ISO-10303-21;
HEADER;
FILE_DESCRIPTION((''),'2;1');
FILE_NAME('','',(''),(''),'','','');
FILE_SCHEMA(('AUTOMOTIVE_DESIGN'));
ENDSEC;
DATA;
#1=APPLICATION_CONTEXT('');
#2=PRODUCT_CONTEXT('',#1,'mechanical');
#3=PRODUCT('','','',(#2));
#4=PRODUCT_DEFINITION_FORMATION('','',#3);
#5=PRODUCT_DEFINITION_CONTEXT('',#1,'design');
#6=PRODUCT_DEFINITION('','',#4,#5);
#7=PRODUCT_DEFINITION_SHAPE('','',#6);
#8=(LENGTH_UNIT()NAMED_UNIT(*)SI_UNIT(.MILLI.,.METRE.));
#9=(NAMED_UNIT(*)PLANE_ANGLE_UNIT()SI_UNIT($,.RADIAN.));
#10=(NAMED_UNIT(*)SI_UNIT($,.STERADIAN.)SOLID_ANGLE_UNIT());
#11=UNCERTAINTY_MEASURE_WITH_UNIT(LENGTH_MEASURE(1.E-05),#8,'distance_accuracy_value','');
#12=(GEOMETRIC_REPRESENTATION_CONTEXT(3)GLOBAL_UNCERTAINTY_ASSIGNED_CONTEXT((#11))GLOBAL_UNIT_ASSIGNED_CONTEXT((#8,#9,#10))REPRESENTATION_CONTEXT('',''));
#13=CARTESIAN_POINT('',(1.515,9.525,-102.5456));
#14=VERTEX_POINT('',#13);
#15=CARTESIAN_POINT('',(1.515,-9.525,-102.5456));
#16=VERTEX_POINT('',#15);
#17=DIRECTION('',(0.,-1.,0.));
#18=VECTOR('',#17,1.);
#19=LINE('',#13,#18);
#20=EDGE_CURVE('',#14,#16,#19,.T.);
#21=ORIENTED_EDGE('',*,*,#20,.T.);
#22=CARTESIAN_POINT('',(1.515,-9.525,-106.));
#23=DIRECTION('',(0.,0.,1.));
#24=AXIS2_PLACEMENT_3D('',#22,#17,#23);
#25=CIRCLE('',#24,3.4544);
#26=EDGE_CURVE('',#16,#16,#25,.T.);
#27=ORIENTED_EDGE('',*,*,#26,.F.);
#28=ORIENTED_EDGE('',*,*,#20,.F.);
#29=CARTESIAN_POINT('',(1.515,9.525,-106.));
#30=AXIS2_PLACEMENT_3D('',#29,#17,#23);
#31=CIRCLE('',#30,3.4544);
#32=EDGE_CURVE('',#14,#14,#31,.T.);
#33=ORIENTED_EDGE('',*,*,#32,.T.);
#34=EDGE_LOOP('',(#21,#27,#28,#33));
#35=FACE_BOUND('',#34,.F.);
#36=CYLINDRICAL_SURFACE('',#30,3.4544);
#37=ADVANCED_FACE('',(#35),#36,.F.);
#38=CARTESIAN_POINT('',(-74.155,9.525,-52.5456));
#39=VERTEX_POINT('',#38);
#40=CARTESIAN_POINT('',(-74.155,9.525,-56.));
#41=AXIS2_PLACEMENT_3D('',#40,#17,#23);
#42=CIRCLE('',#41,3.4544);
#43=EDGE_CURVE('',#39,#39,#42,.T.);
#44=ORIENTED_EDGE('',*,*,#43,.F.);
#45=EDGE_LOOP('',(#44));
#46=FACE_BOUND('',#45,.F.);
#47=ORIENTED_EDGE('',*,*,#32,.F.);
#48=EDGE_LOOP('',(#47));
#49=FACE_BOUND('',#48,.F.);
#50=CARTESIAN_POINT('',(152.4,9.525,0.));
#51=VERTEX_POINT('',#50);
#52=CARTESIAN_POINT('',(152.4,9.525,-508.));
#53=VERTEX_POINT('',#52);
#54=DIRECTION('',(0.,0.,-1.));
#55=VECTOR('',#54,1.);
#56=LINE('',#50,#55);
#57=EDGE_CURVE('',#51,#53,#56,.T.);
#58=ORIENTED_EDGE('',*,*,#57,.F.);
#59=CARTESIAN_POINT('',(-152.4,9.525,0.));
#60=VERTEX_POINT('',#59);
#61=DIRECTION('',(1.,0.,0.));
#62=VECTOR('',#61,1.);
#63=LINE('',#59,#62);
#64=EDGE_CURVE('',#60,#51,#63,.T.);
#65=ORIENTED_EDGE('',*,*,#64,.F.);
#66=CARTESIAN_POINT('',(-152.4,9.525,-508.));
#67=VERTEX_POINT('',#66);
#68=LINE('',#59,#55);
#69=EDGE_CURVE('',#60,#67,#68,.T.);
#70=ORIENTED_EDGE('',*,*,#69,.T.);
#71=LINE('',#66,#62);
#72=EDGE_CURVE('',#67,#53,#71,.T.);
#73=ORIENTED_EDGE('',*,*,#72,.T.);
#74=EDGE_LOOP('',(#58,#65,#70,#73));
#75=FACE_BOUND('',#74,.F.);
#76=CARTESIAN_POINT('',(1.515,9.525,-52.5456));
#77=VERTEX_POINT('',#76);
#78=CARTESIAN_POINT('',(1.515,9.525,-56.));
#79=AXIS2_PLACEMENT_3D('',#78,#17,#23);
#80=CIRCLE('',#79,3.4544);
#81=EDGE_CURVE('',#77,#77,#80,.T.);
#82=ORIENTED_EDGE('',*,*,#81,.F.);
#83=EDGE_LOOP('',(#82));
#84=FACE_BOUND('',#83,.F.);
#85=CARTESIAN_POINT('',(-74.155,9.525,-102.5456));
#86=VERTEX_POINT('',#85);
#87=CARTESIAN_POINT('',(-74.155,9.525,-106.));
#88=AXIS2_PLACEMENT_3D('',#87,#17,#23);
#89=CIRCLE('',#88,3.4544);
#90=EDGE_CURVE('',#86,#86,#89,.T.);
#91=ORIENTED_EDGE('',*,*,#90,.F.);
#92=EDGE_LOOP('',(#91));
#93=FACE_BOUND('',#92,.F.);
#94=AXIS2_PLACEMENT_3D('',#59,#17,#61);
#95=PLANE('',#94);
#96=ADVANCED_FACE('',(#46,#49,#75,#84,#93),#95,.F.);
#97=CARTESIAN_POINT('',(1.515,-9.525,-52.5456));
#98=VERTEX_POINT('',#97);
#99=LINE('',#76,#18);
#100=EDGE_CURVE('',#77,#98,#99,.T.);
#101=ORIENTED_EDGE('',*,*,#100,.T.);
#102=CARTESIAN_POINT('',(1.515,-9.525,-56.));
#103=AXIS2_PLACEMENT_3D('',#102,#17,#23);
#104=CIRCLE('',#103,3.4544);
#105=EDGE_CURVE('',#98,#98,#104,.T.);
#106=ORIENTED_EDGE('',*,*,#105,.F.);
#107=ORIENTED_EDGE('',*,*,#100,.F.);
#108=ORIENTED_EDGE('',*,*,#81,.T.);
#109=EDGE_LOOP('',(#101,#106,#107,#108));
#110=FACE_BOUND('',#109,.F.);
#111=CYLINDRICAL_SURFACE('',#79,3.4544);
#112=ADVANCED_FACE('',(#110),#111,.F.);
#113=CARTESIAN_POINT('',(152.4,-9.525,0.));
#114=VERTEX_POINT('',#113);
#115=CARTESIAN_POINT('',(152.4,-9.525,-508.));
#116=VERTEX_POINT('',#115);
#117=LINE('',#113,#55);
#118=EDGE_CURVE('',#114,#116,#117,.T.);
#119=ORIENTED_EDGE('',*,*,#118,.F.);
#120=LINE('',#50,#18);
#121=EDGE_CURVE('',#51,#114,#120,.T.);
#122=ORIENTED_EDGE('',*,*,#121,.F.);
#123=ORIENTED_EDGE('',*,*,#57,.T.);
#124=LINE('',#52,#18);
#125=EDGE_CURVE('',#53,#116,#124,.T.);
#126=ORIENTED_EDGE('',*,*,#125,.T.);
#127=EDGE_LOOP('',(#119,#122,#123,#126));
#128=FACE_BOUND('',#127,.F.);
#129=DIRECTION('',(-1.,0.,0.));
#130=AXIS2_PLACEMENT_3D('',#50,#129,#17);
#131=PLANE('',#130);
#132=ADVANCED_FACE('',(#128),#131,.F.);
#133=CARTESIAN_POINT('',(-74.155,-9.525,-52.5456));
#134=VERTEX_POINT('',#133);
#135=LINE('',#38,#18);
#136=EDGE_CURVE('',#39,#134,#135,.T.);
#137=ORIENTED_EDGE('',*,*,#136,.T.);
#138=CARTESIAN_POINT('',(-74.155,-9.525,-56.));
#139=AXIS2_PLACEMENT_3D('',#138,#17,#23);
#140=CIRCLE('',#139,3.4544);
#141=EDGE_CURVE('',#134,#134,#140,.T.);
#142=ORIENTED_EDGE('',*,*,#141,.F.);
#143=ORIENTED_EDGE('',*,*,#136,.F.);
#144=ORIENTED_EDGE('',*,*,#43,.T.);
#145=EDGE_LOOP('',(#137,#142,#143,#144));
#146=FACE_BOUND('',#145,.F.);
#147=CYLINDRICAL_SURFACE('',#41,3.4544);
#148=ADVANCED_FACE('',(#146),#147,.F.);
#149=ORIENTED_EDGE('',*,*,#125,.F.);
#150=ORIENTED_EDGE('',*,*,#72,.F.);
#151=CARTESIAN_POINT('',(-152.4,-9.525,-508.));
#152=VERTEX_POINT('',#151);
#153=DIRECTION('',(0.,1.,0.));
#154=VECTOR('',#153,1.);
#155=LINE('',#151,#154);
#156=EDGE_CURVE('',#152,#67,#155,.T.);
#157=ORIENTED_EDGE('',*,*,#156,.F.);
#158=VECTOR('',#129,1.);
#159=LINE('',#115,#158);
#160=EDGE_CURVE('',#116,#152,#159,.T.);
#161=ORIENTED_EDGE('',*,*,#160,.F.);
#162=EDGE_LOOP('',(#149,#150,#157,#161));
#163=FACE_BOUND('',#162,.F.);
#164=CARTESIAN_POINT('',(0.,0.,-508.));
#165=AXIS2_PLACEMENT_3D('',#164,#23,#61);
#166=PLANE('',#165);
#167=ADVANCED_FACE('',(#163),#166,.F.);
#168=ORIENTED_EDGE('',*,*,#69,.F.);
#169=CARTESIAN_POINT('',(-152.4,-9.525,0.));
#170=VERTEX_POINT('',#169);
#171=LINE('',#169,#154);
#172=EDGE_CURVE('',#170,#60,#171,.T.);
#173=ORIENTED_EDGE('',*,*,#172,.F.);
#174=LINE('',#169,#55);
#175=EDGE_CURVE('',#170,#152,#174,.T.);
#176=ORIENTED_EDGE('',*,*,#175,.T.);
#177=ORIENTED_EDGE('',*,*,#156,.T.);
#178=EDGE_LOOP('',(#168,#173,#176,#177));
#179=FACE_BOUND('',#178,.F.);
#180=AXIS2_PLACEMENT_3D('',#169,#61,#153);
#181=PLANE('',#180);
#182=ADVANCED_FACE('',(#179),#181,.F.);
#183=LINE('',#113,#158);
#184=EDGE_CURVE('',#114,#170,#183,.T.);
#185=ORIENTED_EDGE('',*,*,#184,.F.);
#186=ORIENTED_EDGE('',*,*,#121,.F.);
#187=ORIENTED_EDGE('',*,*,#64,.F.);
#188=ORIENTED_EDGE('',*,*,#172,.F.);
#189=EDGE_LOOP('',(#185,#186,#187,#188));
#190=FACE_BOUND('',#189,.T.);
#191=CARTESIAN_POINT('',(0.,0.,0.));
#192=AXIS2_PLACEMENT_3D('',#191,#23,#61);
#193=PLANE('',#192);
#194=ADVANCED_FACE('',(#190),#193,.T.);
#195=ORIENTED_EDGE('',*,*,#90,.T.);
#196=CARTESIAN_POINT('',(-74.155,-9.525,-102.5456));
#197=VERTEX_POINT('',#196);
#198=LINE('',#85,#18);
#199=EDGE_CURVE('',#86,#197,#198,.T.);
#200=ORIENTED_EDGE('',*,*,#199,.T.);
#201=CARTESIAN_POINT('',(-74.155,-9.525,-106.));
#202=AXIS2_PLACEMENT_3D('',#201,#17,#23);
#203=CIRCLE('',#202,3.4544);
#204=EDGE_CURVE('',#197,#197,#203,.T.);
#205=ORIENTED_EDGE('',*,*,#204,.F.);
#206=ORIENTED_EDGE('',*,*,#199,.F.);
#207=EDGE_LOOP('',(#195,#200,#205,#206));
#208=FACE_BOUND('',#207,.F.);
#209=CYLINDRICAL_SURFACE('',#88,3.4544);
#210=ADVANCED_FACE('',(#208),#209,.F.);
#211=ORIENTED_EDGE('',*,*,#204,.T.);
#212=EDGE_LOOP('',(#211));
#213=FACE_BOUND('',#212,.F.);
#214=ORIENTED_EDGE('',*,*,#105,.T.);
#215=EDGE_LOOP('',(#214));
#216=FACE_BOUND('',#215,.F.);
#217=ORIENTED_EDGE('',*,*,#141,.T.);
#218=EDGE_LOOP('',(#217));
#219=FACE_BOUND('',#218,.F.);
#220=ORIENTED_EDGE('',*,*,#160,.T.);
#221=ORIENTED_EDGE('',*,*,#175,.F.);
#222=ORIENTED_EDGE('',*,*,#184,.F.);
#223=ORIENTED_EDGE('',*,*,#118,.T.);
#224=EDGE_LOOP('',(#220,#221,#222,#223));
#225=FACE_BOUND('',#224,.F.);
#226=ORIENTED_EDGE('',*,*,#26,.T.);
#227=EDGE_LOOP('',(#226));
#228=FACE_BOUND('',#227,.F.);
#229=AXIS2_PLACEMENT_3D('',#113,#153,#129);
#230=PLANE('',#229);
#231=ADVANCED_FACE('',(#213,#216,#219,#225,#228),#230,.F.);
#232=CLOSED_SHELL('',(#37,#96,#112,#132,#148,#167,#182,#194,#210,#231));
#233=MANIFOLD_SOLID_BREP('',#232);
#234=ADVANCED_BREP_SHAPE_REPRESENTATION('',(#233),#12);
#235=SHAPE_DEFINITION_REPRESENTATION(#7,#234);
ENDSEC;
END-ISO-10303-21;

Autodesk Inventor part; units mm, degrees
ref_plane "YZ Plane" through (0, 0, 0) normal (1, 0, 0) x (0, 1, 0)
ref_plane "XZ Plane" through (0, 0, 0) normal (0, 1, 0) x (-1, 0, 0)
ref_plane "XY Plane" through (0, 0, 0) normal (0, 0, 1) x (1, 0, 0)
sketch "Sketch1" plane through (0, 0, 0) normal (0, 0, 1) x (1, 0, 0)
  line L0 (-152.4, 9.525) -> (152.4, 9.525)
  line L1 (152.4, 9.525) -> (152.4, -9.525)
  line L2 (152.4, -9.525) -> (-152.4, -9.525)
  line L3 (-152.4, -9.525) -> (-152.4, 9.525)
  line L4 (-152.4, 9.525) -> (152.4, -9.525) construction
  line L5 (152.4, 9.525) -> (-152.4, -9.525) construction
  point P0 (0, 0)
  dimension "d0" = 304.8
  dimension "d1" = 19.05
extrude "Extrusion1" add sketch "Sketch1" against normal blind 508
sketch "Sketch2" plane through (-152.4, 9.525, 0) normal (0, 1, 0) x (1, 0, 0)
  line L0 (0, 0) -> (0, 508) projected
  line L1 (0, 0) -> (304.8, 0) projected
  point P0 (152.4, 0)
  point P1 (78.245, 56)
  dimension "d4" = 78.245
  dimension "d5" = 56
hole "Hole1" at (-74.155, 9.525, -56) direction (0, -1, 0) diameter 6.9088 end through all
pattern_linear "Rectangular Pattern1" count 2 spacing 50 along (0, 0, -1) count 2 spacing 75.67 along (1, 0, 0) of "Hole1"
equation "\"d0\" = mp_wid"
equation "\"d1\" = mp_thick"
equation "\"d2\" = mp_len"
equation "\"d4\" = mp_mbra_holes_w_offset"
equation "\"d5\" = mp_mbra_holes_l_offset"
equation "\"d15\" = mp_mbra_holes_l_spacing"
equation "\"d18\" = mp_mbra_holes_w_spacing"
equation "\"mp_wid\" = 304.8"
equation "\"mp_thick\" = 19.05"
equation "\"mp_len\" = 508"
equation "\"mp_mbra_holes_l_spacing\" = 50"
equation "\"mp_mbra_holes_w_spacing\" = 75.67"
equation "\"mp_mbra_holes_w_offset\" = 78.245"
equation "\"mp_mbra_holes_l_offset\" = 56"
properties part number "mplate02" material "Aluminum 6061"
